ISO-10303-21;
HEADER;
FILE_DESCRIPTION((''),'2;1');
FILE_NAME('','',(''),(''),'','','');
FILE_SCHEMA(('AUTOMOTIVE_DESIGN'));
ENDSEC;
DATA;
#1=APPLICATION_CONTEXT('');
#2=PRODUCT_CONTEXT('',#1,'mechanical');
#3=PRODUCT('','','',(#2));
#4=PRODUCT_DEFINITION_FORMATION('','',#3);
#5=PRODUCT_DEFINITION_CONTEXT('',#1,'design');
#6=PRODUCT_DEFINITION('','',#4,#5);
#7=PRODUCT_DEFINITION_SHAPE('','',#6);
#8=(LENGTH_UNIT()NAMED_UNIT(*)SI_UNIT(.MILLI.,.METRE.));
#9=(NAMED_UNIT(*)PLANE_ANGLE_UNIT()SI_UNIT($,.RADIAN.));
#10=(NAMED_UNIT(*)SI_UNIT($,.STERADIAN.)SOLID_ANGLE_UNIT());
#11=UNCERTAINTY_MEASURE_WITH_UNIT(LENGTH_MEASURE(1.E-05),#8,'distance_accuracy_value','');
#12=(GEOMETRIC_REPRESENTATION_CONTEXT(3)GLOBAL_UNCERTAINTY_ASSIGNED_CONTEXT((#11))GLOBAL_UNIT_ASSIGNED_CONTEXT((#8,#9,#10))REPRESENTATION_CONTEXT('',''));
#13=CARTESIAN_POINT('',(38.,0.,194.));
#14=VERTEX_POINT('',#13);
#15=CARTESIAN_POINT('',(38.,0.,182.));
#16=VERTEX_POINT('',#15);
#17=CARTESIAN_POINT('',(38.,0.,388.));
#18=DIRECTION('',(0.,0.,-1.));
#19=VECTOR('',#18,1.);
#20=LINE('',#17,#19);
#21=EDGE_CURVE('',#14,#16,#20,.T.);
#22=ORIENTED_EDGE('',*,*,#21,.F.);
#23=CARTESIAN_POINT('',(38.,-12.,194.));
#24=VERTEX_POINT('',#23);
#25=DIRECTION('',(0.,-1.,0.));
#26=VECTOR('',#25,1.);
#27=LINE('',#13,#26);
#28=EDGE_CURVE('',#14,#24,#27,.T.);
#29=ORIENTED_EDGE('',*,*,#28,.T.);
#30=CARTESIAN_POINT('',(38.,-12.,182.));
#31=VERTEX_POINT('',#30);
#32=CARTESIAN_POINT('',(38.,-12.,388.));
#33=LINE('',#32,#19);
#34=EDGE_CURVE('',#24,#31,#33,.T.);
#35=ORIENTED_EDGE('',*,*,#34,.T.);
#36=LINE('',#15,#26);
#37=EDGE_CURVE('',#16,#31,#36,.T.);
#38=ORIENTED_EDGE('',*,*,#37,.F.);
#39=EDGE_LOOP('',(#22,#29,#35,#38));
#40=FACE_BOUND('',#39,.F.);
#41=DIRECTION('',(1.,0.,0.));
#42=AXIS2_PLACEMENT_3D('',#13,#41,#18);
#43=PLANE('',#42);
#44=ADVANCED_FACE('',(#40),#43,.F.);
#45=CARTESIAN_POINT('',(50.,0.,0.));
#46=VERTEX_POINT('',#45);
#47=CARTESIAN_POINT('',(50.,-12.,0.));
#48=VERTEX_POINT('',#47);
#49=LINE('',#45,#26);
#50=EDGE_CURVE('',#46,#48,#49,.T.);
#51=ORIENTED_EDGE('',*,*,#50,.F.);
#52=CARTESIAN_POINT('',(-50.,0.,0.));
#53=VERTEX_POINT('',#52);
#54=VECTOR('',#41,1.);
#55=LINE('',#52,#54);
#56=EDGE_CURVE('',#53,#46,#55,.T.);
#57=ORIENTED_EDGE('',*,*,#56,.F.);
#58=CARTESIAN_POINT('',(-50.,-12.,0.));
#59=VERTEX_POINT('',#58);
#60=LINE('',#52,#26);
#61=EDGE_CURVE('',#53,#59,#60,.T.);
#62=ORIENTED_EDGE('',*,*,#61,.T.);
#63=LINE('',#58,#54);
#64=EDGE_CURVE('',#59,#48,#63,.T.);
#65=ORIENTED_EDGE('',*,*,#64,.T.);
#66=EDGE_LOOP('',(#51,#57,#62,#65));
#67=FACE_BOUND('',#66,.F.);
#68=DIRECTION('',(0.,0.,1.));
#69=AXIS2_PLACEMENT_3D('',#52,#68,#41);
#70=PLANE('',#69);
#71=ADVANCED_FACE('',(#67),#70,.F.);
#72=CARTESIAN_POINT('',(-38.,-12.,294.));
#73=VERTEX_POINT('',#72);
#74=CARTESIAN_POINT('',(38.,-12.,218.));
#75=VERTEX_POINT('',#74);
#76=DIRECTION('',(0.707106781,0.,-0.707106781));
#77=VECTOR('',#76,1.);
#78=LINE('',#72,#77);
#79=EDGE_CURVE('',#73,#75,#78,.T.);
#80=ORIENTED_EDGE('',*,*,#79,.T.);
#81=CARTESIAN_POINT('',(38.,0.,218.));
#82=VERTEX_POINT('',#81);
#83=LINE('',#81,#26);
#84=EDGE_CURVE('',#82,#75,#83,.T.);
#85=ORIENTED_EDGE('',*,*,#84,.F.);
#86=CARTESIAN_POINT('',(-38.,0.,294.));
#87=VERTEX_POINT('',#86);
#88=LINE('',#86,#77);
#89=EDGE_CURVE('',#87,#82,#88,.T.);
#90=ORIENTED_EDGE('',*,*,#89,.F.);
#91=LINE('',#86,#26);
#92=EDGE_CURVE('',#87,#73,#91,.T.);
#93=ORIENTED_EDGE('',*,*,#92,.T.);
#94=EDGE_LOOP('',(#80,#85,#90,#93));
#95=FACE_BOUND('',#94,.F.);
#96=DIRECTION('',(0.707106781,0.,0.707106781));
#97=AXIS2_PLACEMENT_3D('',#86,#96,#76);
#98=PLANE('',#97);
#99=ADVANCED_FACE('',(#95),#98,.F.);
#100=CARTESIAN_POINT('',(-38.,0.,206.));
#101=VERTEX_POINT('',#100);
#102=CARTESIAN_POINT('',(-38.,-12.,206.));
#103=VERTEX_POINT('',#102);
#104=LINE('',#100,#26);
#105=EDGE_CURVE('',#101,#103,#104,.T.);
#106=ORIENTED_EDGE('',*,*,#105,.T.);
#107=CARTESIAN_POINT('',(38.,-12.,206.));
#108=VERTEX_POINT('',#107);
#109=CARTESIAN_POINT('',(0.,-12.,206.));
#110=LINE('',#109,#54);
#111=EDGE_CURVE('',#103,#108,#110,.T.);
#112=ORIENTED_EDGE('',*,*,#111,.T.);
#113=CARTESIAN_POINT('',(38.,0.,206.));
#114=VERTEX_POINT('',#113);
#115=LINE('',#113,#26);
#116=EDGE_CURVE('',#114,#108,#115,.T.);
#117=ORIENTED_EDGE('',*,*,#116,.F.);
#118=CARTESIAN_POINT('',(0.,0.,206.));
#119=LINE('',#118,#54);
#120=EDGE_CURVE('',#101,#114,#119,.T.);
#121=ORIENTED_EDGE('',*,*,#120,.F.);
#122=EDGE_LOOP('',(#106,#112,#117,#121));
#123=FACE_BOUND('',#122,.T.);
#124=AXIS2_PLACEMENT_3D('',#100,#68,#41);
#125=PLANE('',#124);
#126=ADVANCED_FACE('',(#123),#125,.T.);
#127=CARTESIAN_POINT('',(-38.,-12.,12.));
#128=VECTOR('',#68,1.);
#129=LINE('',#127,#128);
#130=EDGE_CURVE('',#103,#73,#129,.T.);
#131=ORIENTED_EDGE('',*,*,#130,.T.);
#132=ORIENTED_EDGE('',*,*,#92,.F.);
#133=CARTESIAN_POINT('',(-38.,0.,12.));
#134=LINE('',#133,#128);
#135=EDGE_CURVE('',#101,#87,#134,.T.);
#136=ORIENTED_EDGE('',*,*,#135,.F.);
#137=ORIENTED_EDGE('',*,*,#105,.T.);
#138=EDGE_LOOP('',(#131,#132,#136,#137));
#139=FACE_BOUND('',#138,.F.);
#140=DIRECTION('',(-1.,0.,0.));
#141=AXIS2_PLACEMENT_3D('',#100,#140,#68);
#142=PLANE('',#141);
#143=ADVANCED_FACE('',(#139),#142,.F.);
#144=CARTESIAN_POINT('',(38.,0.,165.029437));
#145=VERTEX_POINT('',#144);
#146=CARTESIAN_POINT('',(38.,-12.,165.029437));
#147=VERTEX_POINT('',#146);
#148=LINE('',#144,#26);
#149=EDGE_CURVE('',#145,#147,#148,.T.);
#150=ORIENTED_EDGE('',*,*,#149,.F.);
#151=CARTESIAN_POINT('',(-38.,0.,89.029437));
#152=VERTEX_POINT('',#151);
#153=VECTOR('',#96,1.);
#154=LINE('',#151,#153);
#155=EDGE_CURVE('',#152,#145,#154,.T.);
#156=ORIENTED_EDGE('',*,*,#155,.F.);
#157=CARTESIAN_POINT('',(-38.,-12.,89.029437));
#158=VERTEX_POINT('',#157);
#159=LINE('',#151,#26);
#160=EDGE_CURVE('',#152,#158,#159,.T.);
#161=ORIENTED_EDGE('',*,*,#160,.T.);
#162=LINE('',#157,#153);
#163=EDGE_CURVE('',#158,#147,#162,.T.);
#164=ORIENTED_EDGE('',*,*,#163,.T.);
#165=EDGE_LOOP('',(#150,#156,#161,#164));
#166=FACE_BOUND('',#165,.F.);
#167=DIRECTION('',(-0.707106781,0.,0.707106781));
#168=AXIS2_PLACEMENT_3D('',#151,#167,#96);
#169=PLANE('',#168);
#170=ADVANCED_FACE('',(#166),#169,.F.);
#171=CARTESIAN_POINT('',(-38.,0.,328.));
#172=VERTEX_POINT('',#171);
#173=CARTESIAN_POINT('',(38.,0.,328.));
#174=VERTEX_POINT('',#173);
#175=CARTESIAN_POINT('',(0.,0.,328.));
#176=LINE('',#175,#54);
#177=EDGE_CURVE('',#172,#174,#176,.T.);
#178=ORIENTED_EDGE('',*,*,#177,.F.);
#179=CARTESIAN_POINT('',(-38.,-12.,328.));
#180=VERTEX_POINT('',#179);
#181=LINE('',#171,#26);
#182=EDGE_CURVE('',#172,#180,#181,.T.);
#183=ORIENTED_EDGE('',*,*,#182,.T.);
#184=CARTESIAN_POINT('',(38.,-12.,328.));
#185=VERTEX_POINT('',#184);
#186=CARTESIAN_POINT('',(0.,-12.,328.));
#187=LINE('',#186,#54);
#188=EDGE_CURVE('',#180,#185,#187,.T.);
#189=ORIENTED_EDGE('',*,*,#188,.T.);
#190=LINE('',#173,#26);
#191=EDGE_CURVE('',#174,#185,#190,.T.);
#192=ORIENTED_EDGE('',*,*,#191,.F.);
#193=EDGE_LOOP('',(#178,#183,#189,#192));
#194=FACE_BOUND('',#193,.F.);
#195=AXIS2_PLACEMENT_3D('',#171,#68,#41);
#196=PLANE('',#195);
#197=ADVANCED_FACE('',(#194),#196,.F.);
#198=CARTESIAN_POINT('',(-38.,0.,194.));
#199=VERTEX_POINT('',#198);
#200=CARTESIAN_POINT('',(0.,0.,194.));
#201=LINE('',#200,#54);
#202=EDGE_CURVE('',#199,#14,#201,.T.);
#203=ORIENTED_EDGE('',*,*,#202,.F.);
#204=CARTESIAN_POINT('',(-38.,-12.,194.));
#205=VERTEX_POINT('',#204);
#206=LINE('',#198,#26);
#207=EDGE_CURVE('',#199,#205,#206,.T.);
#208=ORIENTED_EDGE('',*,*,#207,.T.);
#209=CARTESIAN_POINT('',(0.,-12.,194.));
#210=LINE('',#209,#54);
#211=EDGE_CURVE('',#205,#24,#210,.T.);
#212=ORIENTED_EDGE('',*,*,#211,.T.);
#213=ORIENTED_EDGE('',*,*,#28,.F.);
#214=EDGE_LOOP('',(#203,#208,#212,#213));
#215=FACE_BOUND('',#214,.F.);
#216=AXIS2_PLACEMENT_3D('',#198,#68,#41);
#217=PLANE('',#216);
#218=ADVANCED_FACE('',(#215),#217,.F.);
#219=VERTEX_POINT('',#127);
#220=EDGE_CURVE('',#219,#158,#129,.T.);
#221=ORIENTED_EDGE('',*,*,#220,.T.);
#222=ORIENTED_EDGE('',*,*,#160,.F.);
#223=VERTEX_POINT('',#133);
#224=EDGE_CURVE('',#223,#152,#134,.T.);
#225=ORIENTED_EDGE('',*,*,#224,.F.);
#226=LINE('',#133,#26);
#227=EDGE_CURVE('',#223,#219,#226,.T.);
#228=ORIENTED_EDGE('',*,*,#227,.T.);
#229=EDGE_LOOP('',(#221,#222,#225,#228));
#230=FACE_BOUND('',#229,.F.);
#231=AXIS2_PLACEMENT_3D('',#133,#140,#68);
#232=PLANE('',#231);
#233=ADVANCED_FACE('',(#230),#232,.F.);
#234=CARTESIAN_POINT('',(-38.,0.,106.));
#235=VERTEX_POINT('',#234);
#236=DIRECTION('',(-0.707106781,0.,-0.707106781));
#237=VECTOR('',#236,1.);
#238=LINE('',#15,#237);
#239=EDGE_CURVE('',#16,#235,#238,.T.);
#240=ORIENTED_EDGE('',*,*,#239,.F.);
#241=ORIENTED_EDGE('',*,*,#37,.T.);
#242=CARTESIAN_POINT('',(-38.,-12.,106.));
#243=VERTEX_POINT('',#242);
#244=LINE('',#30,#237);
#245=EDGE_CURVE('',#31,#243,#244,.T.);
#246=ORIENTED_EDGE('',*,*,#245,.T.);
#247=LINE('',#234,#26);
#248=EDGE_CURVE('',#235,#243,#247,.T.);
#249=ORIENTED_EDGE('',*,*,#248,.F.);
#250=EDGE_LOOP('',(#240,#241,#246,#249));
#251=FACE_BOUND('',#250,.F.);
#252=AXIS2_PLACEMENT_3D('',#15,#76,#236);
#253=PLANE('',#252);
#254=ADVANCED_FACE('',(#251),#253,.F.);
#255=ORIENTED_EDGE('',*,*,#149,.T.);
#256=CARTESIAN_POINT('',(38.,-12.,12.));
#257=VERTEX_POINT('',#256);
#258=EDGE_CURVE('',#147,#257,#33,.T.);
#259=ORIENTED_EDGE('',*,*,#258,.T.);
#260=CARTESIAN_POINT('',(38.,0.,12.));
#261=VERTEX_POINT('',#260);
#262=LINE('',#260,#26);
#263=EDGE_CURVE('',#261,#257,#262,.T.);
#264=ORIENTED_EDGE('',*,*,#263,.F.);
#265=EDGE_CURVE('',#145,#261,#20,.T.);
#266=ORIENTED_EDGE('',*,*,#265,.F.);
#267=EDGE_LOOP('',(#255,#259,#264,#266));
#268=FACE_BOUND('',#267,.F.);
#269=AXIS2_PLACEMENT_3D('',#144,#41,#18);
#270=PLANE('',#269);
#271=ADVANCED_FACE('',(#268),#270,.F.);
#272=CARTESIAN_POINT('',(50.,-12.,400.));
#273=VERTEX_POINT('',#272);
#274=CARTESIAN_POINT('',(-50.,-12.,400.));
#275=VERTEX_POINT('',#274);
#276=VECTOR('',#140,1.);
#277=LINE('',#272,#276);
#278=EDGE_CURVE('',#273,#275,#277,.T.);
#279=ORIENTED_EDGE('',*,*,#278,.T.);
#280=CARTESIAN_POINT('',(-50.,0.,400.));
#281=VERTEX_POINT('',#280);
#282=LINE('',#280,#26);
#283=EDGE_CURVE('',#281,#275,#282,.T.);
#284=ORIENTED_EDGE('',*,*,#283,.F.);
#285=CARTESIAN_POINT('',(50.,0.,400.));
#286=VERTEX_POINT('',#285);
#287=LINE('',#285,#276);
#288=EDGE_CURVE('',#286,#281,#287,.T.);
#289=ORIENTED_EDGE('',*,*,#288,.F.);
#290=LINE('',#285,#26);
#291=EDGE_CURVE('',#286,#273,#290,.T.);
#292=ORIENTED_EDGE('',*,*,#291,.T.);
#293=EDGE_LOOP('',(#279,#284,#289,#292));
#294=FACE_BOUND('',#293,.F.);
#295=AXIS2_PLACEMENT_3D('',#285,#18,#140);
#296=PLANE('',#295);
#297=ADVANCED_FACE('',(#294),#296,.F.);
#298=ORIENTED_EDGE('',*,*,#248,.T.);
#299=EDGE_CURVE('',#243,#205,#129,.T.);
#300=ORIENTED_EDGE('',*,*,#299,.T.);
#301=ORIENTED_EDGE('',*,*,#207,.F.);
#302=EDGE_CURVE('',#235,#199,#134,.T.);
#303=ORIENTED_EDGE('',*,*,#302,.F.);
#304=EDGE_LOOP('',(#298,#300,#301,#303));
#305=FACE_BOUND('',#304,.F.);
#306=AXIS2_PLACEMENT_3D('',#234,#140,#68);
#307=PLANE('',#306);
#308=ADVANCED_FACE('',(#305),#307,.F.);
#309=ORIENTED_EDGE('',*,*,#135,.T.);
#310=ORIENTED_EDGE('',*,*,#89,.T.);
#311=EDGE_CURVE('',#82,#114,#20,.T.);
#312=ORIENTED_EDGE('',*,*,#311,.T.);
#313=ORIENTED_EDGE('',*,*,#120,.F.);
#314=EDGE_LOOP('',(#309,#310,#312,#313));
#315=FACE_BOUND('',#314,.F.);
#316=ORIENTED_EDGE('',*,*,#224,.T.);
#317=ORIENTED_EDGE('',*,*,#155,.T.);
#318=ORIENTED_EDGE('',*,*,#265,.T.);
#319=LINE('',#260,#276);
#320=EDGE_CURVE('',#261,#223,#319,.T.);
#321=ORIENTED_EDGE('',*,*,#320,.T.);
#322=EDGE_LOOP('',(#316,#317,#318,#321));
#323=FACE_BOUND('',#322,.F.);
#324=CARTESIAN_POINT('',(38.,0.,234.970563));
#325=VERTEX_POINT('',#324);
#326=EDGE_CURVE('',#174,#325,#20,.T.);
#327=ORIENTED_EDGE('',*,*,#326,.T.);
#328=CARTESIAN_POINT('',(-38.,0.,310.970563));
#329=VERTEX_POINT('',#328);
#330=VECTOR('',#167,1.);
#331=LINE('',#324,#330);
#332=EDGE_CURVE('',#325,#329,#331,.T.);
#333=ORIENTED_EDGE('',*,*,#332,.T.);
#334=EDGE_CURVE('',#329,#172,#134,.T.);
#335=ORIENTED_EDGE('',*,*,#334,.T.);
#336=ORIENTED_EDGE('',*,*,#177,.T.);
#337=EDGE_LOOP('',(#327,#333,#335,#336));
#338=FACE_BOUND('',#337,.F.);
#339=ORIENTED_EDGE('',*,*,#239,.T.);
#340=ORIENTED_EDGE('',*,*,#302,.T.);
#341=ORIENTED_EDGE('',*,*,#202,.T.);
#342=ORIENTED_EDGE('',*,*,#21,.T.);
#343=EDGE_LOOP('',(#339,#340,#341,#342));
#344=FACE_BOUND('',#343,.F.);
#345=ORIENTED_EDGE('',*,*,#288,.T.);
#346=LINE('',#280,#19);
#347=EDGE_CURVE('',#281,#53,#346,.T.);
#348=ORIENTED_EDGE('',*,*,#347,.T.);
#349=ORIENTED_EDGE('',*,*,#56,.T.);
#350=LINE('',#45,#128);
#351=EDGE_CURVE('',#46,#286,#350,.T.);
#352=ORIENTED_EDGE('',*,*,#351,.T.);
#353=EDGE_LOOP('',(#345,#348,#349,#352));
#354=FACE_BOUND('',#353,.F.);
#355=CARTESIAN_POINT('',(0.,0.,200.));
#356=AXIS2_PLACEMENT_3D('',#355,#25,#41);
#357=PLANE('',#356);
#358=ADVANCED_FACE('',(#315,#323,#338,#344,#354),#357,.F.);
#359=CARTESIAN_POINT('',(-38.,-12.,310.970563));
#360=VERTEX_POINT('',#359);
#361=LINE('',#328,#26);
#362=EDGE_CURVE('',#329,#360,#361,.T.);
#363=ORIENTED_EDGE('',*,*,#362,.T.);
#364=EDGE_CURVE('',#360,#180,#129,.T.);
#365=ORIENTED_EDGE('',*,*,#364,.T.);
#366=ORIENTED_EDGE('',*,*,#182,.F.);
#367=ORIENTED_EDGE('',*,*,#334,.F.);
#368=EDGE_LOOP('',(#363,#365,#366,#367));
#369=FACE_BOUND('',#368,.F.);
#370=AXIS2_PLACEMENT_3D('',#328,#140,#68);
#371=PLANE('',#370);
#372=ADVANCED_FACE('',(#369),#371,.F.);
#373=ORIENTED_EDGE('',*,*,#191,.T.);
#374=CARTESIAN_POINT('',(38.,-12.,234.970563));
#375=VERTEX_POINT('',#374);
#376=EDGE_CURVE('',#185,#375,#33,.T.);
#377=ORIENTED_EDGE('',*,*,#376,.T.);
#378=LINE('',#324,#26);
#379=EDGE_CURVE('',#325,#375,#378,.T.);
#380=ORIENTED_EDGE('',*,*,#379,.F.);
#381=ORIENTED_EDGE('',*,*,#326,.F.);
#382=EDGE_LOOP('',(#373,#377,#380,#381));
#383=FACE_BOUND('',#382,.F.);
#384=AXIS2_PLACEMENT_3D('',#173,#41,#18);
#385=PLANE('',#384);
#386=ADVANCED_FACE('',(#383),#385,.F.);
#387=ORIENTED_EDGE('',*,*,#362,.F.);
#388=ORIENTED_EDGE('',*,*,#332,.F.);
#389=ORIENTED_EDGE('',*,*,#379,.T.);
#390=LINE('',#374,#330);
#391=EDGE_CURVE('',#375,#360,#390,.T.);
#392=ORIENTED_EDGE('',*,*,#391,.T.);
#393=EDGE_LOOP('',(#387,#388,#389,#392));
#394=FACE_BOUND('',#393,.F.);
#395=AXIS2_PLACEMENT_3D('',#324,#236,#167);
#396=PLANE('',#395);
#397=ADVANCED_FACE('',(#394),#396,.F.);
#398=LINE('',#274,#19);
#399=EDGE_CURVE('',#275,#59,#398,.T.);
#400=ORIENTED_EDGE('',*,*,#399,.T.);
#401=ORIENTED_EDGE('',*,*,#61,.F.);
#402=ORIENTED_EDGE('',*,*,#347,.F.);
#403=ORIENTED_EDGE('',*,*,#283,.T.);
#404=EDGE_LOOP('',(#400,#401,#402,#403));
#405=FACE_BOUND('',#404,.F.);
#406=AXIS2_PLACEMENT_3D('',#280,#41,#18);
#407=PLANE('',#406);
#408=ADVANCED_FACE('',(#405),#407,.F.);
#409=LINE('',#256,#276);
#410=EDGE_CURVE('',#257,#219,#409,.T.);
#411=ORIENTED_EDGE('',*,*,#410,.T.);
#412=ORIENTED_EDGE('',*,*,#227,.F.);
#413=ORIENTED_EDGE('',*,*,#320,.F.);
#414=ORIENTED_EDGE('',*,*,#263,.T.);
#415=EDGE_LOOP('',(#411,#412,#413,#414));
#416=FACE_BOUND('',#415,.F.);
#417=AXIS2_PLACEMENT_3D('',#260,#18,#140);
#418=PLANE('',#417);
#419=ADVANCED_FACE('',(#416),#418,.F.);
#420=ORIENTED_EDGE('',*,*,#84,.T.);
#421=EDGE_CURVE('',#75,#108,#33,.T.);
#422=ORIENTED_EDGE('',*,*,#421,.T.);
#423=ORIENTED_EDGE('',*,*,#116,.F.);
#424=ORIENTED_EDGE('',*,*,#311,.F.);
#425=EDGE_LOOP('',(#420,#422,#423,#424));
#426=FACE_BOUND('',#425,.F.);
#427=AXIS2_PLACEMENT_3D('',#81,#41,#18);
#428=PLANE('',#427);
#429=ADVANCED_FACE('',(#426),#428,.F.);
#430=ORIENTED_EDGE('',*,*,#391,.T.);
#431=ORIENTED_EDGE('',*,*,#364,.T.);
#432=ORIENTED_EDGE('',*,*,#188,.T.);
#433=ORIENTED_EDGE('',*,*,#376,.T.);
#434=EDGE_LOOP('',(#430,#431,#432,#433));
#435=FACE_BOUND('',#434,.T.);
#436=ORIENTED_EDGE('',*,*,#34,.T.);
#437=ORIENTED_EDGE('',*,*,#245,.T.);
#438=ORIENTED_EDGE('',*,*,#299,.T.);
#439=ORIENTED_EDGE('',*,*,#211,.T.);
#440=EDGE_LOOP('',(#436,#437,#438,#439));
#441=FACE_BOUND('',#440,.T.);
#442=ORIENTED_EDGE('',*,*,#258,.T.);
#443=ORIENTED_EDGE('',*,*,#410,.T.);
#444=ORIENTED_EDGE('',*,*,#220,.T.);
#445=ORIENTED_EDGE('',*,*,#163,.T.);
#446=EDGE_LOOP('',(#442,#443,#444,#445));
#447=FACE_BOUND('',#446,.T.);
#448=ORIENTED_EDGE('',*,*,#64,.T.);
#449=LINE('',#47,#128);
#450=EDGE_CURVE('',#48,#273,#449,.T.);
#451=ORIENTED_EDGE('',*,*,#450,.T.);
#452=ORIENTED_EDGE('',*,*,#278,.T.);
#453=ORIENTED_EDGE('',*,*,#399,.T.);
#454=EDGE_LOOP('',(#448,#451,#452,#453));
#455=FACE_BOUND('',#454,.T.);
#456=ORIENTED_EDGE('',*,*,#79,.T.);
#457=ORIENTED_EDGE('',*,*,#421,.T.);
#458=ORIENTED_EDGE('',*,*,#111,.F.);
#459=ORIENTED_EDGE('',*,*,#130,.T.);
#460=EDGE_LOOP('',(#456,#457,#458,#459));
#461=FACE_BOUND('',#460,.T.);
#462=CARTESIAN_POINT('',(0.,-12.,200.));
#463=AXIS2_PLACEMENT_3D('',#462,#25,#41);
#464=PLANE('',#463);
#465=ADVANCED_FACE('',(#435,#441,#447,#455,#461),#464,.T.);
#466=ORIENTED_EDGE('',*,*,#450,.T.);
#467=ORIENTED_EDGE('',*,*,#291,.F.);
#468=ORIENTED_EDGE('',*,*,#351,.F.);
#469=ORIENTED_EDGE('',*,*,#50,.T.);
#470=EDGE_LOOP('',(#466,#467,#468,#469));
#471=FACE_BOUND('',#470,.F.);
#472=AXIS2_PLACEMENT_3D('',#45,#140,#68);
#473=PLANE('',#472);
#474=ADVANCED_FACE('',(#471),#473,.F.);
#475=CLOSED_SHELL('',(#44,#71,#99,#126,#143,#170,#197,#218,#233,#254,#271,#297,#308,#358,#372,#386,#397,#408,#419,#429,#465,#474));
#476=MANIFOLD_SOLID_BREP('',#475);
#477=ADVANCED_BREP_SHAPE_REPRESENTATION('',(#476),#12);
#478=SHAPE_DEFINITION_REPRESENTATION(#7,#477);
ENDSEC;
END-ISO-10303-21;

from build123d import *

# Parameters (mm, degrees)
F0_W     = 76
F0_H     = 12
F0_H_2   = 60
F1_DEPTH = 12


with BuildPart() as f1:
    # F0 (on Front) → F1 (new body)
    with BuildSketch(Plane.XZ):
        Polygon((-50, 0), (0, 0), (50, 0), (50, 400), (-50, 400), align=None)
        Polygon((-38, 328), (-38, 388), (38, 388), (38, 328), (38, 234.970563), (38, 218), (38, 206), (38, 194), (38, 182), (38, 165.029437), (38, 12), (-38, 12), (-38, 89.029437), (-38, 106), (-38, 194), (-38, 206), (-38, 294), (-38, 310.970563), align=None, mode=Mode.SUBTRACT)
        with Locations((0, 200)):
            Rectangle(F0_W, F0_H)
        Polygon((38, 182), (-38, 106), (-38, 89.029437), (38, 165.029437), align=None)
        Polygon((38, 234.970563), (-38, 310.970563), (-38, 294), (38, 218), align=None)
        with Locations((0, 358)):
            Rectangle(F0_W, F0_H_2)
    extrude(amount=F1_DEPTH)


solid = f1.part
